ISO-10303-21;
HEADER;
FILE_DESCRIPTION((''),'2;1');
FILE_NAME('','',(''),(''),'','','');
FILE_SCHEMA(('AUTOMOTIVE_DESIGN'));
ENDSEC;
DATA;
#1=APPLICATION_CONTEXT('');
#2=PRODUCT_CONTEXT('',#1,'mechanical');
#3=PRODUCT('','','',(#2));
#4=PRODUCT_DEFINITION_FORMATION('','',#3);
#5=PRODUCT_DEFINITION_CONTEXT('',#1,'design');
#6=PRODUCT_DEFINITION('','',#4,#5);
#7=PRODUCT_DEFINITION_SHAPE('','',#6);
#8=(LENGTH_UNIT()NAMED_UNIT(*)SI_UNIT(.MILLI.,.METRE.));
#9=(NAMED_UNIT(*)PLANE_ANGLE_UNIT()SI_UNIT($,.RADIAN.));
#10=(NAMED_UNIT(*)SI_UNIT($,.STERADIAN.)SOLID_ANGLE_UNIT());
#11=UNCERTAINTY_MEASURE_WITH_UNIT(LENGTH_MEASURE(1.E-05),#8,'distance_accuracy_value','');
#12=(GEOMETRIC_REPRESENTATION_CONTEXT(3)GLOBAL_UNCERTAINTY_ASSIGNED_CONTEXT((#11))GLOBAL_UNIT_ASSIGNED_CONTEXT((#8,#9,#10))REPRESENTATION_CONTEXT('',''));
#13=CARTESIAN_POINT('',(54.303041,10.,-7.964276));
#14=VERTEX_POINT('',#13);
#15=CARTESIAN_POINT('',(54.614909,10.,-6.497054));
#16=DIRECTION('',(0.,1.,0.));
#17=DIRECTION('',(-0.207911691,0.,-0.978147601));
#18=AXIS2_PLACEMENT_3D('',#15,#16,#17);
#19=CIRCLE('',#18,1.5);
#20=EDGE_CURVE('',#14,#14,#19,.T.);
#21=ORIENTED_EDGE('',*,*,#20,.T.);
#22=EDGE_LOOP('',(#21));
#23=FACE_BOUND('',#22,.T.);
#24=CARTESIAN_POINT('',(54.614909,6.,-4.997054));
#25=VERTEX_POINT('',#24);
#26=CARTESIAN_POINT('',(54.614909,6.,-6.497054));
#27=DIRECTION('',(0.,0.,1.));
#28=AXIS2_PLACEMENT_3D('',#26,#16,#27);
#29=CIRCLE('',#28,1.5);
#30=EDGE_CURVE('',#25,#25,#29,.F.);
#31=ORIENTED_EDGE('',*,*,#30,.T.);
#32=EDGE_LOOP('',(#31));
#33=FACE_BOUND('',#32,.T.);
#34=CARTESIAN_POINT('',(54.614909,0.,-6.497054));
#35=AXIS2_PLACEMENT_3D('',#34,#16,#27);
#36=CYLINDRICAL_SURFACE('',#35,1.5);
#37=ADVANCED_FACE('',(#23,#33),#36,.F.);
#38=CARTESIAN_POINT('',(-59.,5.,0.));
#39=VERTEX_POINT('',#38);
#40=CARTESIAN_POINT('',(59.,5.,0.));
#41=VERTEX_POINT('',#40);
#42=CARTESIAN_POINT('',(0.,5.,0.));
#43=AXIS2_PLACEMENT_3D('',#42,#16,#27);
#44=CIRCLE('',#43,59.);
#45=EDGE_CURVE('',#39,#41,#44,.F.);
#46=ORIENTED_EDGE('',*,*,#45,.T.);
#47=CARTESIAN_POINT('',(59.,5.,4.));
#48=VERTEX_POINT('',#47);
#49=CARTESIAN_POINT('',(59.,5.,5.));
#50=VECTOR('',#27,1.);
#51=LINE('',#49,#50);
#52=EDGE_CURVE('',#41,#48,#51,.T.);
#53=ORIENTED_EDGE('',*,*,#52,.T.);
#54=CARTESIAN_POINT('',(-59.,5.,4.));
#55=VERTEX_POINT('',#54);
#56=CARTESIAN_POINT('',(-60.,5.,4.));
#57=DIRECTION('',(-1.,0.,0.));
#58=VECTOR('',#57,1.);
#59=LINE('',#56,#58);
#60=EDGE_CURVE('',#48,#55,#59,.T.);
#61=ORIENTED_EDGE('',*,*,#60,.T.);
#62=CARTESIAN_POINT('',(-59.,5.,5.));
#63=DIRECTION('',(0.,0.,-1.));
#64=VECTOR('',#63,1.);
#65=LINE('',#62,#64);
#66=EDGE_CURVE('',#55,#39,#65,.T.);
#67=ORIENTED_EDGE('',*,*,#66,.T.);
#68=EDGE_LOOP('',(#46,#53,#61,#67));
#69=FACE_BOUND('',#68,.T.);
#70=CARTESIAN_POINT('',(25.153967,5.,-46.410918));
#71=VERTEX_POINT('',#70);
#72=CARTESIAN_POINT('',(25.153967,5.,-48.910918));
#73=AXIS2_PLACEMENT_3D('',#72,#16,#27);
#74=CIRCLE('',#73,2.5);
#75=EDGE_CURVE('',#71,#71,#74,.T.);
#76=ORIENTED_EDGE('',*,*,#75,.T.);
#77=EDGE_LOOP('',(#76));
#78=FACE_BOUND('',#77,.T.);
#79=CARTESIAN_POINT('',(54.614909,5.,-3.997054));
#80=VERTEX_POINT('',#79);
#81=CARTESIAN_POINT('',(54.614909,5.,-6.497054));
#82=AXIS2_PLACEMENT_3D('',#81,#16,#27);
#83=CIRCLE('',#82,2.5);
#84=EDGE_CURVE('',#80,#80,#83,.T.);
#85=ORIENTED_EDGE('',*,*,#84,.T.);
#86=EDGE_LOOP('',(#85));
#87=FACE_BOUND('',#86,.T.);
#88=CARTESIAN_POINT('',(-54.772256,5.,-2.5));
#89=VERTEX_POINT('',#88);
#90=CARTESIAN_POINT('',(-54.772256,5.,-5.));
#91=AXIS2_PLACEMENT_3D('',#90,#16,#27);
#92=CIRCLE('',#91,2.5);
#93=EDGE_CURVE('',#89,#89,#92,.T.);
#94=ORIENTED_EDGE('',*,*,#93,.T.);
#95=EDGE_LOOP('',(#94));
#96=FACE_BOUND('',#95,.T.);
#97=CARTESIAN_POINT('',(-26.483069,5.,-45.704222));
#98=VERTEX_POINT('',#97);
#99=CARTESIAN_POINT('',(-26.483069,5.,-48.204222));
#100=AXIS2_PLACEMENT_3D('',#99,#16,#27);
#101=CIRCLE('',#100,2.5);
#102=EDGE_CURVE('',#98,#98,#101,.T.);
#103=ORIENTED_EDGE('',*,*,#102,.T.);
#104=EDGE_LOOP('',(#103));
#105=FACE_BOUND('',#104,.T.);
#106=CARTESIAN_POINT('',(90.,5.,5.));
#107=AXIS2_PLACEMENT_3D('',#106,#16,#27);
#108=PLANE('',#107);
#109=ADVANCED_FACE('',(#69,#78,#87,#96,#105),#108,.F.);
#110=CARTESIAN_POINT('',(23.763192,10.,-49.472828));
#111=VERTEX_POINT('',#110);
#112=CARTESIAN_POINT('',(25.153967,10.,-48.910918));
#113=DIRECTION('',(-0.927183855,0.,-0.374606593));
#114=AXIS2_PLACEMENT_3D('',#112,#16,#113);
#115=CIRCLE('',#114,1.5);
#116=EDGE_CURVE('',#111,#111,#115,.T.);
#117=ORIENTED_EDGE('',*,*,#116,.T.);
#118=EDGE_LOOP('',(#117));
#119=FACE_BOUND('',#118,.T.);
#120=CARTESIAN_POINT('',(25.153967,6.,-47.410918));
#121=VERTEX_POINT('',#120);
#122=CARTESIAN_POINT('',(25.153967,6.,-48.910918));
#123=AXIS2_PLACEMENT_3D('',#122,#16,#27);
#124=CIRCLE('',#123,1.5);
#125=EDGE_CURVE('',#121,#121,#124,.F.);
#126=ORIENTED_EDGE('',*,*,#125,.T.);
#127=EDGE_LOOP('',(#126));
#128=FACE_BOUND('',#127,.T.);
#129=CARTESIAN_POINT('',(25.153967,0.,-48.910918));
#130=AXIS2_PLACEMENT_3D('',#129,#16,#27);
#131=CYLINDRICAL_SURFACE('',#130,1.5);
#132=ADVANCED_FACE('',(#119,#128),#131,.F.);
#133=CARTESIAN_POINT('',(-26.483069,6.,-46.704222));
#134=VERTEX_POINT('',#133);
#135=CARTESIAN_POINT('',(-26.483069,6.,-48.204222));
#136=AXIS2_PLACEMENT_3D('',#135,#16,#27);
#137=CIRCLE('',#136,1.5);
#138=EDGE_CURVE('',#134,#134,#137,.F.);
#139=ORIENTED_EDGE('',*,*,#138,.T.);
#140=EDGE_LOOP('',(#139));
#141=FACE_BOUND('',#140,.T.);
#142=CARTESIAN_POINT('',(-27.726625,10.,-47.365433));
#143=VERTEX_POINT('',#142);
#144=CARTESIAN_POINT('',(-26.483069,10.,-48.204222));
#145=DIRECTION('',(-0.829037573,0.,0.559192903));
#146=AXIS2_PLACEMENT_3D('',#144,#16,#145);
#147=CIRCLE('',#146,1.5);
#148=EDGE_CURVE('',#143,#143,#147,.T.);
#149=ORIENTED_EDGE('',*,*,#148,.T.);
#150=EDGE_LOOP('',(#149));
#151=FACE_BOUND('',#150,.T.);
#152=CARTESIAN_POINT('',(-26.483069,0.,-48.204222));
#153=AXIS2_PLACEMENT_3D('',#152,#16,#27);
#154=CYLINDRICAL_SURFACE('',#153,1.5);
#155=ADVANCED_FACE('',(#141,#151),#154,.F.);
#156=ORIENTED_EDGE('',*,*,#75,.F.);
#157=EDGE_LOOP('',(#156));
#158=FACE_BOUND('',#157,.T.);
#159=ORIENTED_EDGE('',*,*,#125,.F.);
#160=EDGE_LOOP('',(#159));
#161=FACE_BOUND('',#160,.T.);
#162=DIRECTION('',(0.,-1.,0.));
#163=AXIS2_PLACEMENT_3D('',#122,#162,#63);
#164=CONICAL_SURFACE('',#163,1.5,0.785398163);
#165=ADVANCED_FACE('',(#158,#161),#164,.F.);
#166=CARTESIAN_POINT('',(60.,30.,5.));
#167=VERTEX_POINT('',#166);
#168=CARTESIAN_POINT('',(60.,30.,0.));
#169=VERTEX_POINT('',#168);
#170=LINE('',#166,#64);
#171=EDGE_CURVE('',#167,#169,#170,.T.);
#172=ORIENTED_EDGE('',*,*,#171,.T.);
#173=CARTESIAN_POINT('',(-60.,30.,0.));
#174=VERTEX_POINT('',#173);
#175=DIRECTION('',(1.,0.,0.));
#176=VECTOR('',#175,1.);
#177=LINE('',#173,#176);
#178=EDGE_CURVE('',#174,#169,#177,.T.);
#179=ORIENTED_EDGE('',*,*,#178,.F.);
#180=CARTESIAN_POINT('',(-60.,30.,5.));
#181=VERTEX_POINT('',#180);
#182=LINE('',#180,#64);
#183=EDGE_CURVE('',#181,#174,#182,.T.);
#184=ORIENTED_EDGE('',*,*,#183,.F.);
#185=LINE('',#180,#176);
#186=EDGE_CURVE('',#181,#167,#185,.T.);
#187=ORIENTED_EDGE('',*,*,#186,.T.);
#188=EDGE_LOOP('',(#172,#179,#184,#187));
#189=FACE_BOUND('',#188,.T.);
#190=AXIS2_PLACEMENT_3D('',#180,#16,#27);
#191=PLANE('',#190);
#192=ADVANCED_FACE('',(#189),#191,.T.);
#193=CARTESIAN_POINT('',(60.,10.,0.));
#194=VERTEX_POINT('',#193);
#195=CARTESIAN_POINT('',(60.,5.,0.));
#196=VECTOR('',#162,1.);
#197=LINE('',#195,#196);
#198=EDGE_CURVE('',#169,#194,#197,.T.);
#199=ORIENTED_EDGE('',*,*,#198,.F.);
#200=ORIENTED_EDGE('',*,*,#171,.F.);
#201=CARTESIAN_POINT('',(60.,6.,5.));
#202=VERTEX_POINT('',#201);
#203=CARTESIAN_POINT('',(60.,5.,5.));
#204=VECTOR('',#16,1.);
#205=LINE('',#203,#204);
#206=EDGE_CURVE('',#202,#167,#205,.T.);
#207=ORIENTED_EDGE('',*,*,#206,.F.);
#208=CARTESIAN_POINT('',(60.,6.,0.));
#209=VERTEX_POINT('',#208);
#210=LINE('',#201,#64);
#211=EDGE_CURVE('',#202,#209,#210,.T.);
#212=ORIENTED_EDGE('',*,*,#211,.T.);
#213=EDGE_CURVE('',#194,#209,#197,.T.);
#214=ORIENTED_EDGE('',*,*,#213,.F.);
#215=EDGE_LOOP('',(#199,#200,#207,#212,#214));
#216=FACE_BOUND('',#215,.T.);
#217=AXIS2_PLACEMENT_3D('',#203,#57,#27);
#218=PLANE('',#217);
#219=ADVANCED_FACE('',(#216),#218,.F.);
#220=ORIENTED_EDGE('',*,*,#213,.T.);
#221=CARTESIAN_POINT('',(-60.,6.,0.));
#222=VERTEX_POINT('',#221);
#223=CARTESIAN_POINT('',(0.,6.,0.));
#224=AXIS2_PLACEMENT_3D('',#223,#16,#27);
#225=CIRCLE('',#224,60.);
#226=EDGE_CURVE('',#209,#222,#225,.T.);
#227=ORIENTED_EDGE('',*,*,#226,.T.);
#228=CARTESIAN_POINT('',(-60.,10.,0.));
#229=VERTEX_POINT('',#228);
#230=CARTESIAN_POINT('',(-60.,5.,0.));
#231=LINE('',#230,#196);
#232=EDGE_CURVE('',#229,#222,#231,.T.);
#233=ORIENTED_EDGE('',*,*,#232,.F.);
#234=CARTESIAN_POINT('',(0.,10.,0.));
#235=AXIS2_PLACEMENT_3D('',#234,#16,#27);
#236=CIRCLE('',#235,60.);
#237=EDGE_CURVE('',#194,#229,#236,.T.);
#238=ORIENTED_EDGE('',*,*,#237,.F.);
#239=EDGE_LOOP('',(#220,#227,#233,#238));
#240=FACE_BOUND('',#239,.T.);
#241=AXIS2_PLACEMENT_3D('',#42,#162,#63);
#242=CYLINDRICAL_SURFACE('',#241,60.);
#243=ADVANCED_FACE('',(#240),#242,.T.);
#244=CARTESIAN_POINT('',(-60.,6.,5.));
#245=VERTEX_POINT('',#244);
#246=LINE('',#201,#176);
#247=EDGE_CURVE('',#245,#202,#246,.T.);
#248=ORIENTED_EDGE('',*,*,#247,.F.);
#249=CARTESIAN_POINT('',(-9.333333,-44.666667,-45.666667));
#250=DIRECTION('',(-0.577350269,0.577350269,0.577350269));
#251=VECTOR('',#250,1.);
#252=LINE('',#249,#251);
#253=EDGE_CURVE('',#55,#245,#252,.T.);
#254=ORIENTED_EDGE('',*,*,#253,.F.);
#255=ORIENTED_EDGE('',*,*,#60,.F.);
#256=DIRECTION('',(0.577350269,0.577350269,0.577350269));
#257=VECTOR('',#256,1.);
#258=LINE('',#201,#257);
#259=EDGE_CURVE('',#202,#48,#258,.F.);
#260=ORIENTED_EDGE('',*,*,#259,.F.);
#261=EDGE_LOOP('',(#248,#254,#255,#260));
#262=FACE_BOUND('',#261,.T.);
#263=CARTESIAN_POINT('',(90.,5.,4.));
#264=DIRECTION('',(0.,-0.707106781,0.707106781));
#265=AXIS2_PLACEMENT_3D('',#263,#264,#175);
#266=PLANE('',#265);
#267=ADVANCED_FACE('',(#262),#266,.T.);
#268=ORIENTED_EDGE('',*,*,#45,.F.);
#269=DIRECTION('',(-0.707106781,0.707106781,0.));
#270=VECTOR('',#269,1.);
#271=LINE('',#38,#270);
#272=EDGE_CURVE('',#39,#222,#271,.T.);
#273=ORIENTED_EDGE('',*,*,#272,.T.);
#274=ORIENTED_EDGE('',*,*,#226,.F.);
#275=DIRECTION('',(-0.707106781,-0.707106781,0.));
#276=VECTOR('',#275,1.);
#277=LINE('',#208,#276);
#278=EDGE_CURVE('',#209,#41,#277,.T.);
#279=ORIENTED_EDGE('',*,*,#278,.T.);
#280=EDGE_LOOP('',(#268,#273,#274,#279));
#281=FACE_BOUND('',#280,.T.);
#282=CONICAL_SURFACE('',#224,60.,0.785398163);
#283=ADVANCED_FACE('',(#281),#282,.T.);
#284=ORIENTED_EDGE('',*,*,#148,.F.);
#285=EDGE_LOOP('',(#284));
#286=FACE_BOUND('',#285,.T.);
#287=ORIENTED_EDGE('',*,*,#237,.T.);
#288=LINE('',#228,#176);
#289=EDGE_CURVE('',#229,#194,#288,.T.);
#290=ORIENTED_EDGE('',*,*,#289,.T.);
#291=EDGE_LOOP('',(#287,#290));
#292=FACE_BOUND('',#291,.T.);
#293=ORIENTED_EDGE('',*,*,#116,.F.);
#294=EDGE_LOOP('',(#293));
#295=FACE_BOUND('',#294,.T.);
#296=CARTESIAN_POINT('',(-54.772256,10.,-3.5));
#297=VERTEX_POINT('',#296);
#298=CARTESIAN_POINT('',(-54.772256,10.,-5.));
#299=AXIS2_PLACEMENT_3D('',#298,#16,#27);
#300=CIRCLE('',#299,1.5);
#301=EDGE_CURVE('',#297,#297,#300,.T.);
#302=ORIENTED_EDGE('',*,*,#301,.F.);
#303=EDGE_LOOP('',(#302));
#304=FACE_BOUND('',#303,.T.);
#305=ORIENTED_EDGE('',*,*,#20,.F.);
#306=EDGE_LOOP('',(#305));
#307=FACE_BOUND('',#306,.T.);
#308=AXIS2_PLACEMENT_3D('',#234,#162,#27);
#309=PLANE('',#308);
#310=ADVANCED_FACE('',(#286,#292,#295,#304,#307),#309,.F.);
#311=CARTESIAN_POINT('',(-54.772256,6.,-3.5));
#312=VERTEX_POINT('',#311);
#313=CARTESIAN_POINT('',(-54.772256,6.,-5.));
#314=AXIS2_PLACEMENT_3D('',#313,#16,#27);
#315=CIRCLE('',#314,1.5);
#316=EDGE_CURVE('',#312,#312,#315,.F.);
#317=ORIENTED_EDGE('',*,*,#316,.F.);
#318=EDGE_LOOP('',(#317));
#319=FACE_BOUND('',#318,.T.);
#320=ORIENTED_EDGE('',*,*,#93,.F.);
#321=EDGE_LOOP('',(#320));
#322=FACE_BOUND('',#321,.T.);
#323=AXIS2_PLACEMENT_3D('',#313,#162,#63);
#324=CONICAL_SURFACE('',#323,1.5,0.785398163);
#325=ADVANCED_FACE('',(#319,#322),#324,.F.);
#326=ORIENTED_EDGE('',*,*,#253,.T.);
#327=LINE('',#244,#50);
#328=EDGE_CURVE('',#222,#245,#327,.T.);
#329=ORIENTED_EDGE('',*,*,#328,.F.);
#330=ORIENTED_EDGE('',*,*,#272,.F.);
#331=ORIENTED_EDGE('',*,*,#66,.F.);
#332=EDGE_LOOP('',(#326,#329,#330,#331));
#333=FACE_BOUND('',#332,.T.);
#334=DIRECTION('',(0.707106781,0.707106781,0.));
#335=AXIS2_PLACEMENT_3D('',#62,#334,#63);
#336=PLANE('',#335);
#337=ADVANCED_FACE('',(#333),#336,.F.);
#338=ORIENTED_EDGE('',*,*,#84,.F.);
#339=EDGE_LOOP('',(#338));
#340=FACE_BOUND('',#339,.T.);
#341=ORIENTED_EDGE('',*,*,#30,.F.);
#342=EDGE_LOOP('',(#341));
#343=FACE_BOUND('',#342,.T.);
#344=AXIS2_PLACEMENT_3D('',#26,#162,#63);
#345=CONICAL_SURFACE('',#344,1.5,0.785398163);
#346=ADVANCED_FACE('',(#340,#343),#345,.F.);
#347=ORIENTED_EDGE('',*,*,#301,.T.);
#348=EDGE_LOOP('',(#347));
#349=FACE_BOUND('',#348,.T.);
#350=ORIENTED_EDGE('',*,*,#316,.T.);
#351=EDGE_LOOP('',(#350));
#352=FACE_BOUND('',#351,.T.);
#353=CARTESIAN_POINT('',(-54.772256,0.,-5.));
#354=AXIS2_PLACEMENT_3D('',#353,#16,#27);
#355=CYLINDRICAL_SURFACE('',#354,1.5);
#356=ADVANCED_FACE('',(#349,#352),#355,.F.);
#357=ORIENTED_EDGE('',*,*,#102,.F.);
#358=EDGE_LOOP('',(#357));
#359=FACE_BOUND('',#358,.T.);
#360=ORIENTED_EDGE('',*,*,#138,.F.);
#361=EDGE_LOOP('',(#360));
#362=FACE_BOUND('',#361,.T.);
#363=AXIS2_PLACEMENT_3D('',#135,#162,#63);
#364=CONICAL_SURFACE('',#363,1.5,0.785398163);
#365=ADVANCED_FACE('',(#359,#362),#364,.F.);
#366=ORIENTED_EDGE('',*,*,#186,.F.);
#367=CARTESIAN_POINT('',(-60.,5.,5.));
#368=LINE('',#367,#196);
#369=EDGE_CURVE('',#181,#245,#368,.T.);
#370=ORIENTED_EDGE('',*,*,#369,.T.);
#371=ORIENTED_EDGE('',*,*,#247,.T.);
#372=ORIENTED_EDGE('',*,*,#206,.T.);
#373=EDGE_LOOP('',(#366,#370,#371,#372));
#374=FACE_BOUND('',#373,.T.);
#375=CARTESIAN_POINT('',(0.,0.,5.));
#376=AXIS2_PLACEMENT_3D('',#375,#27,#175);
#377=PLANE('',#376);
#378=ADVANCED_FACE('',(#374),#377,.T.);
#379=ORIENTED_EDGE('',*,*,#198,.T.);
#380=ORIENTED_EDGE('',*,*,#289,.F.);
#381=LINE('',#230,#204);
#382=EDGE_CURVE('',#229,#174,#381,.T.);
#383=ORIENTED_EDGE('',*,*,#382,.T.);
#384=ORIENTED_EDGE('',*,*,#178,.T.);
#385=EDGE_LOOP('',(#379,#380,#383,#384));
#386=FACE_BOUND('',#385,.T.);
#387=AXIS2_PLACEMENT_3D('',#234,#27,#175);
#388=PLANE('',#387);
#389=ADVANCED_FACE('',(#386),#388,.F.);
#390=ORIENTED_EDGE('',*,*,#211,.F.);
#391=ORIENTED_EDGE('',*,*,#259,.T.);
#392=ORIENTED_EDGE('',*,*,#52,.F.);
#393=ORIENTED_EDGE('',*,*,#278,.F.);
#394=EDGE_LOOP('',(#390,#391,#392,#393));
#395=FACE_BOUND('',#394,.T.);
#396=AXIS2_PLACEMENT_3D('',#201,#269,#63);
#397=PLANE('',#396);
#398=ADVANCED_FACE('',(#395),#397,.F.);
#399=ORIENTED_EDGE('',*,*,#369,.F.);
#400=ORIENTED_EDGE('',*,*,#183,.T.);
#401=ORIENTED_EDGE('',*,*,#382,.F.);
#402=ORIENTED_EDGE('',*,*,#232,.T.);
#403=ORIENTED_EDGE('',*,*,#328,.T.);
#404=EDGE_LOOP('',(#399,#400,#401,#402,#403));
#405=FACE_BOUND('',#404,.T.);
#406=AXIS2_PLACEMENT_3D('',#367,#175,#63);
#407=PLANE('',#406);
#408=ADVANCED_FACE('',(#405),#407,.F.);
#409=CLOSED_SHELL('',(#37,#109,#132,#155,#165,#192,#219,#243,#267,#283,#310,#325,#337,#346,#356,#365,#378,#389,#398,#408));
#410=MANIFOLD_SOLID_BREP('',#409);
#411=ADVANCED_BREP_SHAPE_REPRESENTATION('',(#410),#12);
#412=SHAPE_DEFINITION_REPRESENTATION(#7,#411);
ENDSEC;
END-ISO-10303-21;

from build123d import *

# Parameters (mm, degrees)
BOSS_EXTRUDE1_DEPTH     = 5
SKETCH2_R               = 1.5
CUT_EXTRUDE1_DEPTH      = 5
CIRPATTERN1_COUNT       = 4
CIRPATTERN1_ANGLE       = 168
SKETCH9_W               = 120
SKETCH9_H               = 25
BOSS_EXTRUDE5_DEPTH     = 5
MIRROR3_COPY_1_SKETCH_R = 1.5
MIRROR3_COPY_1_DEPTH    = 5
MIRROR3_COPY_2_SKETCH_R = 1.5
MIRROR3_COPY_2_DEPTH    = 5
MIRROR3_COPY_3_SKETCH_R = 1.5
MIRROR3_COPY_3_DEPTH    = 5
SKETCH11_W              = 83.519878
SKETCH11_H              = 28.939674
CUT_EXTRUDE2_DEPTH      = 150
CHAMFER1_SIZE           = 1


with BuildPart() as part:
    # Sketch1 → Boss-Extrude1 (new body)
    with BuildSketch(Plane(origin=(0, 0, 0), x_dir=(1, 0, 0), z_dir=(0, 1, 0))):
        with BuildLine():
            Line((-60, 0), (-25.75, 0))
            Line((-25.75, 0), (25.75, 0))
            Line((25.75, 0), (60, 0))
            ThreePointArc((60, 0), (0, 60), (-60, 0))
        make_face()
    boss_extrude1 = extrude(amount=BOSS_EXTRUDE1_DEPTH)

    # Sketch2 → Cut-Extrude1 (cut)
    with BuildSketch(Plane(origin=(0, 5, 0), x_dir=(1, 0, 0), z_dir=(0, 1, 0))):
        with Locations((-54.772256, 5)):
            Circle(SKETCH2_R)
    cut_extrude1 = extrude(amount=-CUT_EXTRUDE1_DEPTH, mode=Mode.SUBTRACT)

    # CirPattern1: Cut-Extrude1 ×4 about axis
    cirpattern1_axis = Axis((0, 0, 0), (0, -1, 0))
    for i in range(1, CIRPATTERN1_COUNT):
        add(cut_extrude1.rotate(cirpattern1_axis, i * CIRPATTERN1_ANGLE / (CIRPATTERN1_COUNT - 1)), mode=Mode.SUBTRACT)

    # Sketch9 → Boss-Extrude5 (add)
    with BuildSketch(Plane.XY):
        with Locations((0, -7.5)):
            Rectangle(SKETCH9_W, SKETCH9_H)
    boss_extrude5 = extrude(amount=BOSS_EXTRUDE5_DEPTH)

    # Mirror3: Boss-Extrude1, Cut-Extrude1, Boss-Extrude5 across plane
    add(boss_extrude1.mirror(Plane.ZX.offset(5)))
    add(cut_extrude1.mirror(Plane.ZX.offset(5)), mode=Mode.SUBTRACT)
    add(boss_extrude5.mirror(Plane.ZX.offset(5)))

    # Mirror3 copy 1 sketch → Mirror3 copy 1 (cut)
    with BuildSketch(Plane(origin=(0, 5, 0), x_dir=(0.559193, 0, 0.829038), z_dir=(0, -1, 0))):
        with Locations((-54.772256, -5)):
            Circle(MIRROR3_COPY_1_SKETCH_R)
    extrude(amount=-MIRROR3_COPY_1_DEPTH, mode=Mode.SUBTRACT)

    # Mirror3 copy 2 sketch → Mirror3 copy 2 (cut)
    with BuildSketch(Plane(origin=(0, 5, 0), x_dir=(-0.374607, 0, 0.927184), z_dir=(0, -1, 0))):
        with Locations((-54.772256, -5)):
            Circle(MIRROR3_COPY_2_SKETCH_R)
    extrude(amount=-MIRROR3_COPY_2_DEPTH, mode=Mode.SUBTRACT)

    # Mirror3 copy 3 sketch → Mirror3 copy 3 (cut)
    with BuildSketch(Plane(origin=(0, 5, 0), x_dir=(-0.978148, 0, 0.207912), z_dir=(0, -1, 0))):
        with Locations((-54.772256, -5)):
            Circle(MIRROR3_COPY_3_SKETCH_R)
    extrude(amount=-MIRROR3_COPY_3_DEPTH, mode=Mode.SUBTRACT)

    # Sketch11 → Cut-Extrude2 (cut)
    with BuildSketch(Plane.ZY.offset(60)):
        with Locations((-36.759939, -9.469837)):
            Rectangle(SKETCH11_W, SKETCH11_H)
    extrude(amount=-CUT_EXTRUDE2_DEPTH, mode=Mode.SUBTRACT)

    # Chamfer1
    chamfer1_edges = [part.edges().sort_by_distance(p)[0] for p in [
        (0, 5, 5),
        (56.08213, 5, -6.808922),
        (-27.321858, 5, -49.447779),
        (60, 5, 2.5),
        (0, 5, -60),
        (25.715877, 5, -50.301694),
        (-56.272256, 5, -5),
        (-60, 5, 2.5),
    ]]
    chamfer(chamfer1_edges, length=CHAMFER1_SIZE)


solid = part.part
